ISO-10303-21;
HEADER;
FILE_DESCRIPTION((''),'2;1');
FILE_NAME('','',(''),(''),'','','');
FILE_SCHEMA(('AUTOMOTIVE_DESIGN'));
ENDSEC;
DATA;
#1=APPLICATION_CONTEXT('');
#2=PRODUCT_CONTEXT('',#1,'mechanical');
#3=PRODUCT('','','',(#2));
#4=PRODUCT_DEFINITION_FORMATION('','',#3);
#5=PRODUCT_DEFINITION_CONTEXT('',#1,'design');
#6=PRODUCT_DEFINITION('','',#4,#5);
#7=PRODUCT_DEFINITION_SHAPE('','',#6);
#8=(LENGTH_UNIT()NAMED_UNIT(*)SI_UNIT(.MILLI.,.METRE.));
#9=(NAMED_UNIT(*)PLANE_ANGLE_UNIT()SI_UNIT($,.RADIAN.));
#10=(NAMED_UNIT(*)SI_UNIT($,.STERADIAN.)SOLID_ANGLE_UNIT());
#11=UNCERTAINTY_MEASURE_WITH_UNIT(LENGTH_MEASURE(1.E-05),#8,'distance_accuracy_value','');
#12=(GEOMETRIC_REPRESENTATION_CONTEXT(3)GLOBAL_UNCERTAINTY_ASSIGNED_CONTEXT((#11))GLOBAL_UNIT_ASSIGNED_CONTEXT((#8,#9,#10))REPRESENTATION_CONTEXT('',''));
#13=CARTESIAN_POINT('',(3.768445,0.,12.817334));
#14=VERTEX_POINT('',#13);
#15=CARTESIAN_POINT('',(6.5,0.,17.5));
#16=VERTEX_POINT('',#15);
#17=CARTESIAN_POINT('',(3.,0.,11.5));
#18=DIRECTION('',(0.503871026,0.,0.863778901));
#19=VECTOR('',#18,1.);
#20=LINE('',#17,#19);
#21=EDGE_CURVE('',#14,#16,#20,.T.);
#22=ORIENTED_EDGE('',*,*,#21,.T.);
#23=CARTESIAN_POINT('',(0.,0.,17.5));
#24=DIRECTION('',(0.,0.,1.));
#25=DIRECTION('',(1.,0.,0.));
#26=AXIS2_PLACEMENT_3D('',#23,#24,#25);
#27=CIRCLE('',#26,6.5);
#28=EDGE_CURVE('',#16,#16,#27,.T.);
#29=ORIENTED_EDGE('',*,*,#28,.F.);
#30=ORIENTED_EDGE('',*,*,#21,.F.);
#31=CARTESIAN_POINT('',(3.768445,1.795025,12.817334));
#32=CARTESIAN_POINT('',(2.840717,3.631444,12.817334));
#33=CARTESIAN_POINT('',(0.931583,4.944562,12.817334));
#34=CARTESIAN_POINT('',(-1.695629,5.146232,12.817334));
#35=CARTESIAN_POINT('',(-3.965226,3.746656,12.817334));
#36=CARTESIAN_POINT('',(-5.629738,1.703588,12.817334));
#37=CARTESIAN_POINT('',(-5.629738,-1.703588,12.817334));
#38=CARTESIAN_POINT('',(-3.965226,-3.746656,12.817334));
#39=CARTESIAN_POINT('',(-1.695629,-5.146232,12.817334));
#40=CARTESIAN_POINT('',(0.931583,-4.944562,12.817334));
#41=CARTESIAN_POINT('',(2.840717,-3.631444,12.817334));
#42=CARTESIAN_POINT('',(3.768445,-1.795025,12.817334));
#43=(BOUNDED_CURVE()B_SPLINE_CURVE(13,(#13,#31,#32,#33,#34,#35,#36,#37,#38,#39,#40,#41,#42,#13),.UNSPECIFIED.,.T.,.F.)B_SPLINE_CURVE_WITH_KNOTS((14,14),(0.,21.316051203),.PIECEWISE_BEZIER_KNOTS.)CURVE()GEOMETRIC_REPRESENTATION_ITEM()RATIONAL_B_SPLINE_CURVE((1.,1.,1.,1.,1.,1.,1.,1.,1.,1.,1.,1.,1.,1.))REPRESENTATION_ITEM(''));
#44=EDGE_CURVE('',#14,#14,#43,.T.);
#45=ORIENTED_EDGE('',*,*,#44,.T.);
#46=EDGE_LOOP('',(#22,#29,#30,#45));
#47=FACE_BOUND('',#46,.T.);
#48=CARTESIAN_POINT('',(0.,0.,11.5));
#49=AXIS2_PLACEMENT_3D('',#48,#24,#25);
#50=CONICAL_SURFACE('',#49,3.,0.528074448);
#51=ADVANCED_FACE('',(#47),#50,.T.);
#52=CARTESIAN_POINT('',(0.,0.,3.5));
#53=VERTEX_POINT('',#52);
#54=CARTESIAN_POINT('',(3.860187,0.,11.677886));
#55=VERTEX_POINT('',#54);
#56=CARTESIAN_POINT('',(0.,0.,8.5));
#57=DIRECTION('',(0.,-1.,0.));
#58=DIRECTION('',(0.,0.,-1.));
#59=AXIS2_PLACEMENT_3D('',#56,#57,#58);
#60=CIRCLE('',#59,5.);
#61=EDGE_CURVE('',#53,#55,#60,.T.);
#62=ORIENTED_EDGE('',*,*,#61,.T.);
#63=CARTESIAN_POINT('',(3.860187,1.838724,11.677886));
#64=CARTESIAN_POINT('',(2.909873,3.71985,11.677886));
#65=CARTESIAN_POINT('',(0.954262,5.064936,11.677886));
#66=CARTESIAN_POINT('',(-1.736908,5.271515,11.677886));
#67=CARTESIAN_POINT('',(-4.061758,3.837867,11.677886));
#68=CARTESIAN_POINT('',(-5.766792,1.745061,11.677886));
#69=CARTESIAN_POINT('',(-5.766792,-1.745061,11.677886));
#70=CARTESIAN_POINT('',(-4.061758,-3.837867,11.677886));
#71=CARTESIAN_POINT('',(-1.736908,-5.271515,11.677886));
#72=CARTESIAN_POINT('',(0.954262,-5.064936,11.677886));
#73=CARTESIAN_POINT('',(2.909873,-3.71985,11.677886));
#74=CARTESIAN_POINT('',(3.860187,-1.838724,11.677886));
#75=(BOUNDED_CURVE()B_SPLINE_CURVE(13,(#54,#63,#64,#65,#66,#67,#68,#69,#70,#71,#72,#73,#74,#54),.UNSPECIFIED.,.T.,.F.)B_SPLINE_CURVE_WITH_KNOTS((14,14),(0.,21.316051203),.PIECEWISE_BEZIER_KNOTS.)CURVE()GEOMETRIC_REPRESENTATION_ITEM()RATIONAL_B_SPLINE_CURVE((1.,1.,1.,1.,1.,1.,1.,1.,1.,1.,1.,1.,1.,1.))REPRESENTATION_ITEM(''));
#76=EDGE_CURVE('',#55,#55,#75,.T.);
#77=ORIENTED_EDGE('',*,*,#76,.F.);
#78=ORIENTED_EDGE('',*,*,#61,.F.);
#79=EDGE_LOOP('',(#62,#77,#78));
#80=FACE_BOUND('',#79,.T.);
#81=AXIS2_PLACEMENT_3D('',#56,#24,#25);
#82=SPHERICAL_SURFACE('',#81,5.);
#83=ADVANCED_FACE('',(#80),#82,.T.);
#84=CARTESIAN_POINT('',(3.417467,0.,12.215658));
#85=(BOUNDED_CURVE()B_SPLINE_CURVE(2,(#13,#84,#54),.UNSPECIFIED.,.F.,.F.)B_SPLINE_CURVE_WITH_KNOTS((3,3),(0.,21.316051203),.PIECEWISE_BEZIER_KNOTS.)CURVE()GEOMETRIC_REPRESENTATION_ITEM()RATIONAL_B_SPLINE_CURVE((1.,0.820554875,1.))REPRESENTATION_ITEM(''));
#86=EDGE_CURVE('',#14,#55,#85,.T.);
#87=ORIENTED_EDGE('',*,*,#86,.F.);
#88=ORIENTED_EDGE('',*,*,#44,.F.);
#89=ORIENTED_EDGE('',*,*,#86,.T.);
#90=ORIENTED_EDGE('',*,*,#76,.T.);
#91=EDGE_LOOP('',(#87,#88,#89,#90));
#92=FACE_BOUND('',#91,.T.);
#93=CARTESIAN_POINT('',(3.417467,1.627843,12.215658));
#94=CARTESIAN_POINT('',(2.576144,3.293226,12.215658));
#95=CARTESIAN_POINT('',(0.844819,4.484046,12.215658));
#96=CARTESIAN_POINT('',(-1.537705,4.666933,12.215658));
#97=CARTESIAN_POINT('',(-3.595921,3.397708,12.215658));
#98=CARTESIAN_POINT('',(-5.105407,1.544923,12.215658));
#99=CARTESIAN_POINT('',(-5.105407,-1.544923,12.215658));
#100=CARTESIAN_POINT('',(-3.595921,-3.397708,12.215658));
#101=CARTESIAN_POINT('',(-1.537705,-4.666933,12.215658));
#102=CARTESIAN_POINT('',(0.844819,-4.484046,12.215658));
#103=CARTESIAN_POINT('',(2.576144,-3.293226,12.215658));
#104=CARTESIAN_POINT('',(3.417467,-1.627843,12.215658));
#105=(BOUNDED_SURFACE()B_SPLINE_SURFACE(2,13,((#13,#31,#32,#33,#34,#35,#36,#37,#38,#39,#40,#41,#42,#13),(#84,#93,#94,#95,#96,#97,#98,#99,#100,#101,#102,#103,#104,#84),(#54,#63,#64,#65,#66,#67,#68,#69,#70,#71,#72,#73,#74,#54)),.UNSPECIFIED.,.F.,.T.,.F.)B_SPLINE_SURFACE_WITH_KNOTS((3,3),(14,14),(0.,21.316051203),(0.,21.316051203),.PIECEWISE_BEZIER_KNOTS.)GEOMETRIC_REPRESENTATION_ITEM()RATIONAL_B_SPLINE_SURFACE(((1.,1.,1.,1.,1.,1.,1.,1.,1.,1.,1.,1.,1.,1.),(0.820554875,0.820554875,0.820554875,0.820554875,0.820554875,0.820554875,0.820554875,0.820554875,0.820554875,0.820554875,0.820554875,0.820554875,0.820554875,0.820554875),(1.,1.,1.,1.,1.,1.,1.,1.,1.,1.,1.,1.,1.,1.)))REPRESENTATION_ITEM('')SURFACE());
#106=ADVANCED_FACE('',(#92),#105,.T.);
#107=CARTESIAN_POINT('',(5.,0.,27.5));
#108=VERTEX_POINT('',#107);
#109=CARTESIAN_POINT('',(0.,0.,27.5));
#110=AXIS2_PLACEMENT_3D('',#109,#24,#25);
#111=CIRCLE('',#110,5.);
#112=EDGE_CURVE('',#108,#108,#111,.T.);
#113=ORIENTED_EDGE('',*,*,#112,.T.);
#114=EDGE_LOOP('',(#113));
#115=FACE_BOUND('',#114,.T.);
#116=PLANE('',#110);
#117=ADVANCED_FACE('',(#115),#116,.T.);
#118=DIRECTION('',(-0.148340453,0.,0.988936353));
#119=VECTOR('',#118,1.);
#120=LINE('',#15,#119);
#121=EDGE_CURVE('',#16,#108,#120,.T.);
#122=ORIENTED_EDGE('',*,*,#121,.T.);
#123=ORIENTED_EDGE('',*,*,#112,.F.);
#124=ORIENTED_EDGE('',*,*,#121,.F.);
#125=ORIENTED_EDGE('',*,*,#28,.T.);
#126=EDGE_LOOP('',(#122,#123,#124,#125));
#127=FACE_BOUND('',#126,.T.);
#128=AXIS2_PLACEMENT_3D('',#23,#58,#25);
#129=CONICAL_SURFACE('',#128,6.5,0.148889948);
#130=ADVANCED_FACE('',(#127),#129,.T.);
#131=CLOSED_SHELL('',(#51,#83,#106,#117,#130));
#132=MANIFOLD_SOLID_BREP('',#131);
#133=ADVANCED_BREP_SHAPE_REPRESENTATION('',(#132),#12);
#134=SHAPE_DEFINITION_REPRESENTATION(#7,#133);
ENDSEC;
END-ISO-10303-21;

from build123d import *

# Parameters (mm, degrees)
FILLET005_R = 1


with BuildPart() as cone001:
    # Cone001 → Cone001 (revolve)
    with BuildSketch(Plane(origin=(0, 0, 17), x_dir=(1, 0, 0), z_dir=(0, -1, 0))):
        Polygon((0, 0), (6.5, 0), (5, 10), (0, 10), align=None)
    revolve(axis=Axis((0, 0, 17), (0, 0, 1)))


with BuildPart() as cone:
    # Cone → Cone (revolve)
    with BuildSketch(Plane(origin=(0, 0, 11), x_dir=(1, 0, 0), z_dir=(0, -1, 0))):
        Polygon((0, 0), (3, 0), (6.5, 6), (0, 6), align=None)
    revolve(axis=Axis((0, 0, 11), (0, 0, 1)))


with BuildPart() as shaft_in_place:
    # Sphere → Sphere (revolve)
    with BuildSketch(Plane(origin=(0, 0, 8), x_dir=(1, 0, 0), z_dir=(0, -1, 0))):
        with BuildLine():
            ThreePointArc((0, -5), (5, 0), (0, 5))
            Line((0, 5), (0, -5))
        make_face()
    revolve(axis=Axis((0, 0, 8), (0, 0, 1)))

    # Fusion: union Cone001, Cone
    add(cone001.part)
    add(cone.part)


with BuildPart() as shaft_in_place_1:
    # Fusion placement: moved
    add(shaft_in_place.part.moved(Location((0, 0, 0.5))))

    # Fillet005
    fillet005_edges = [shaft_in_place_1.edges().sort_by_distance(p)[0] for p in [
        (-3.392555, 0, 12.172951),
    ]]
    fillet(fillet005_edges, radius=FILLET005_R)


solid = shaft_in_place_1.part
